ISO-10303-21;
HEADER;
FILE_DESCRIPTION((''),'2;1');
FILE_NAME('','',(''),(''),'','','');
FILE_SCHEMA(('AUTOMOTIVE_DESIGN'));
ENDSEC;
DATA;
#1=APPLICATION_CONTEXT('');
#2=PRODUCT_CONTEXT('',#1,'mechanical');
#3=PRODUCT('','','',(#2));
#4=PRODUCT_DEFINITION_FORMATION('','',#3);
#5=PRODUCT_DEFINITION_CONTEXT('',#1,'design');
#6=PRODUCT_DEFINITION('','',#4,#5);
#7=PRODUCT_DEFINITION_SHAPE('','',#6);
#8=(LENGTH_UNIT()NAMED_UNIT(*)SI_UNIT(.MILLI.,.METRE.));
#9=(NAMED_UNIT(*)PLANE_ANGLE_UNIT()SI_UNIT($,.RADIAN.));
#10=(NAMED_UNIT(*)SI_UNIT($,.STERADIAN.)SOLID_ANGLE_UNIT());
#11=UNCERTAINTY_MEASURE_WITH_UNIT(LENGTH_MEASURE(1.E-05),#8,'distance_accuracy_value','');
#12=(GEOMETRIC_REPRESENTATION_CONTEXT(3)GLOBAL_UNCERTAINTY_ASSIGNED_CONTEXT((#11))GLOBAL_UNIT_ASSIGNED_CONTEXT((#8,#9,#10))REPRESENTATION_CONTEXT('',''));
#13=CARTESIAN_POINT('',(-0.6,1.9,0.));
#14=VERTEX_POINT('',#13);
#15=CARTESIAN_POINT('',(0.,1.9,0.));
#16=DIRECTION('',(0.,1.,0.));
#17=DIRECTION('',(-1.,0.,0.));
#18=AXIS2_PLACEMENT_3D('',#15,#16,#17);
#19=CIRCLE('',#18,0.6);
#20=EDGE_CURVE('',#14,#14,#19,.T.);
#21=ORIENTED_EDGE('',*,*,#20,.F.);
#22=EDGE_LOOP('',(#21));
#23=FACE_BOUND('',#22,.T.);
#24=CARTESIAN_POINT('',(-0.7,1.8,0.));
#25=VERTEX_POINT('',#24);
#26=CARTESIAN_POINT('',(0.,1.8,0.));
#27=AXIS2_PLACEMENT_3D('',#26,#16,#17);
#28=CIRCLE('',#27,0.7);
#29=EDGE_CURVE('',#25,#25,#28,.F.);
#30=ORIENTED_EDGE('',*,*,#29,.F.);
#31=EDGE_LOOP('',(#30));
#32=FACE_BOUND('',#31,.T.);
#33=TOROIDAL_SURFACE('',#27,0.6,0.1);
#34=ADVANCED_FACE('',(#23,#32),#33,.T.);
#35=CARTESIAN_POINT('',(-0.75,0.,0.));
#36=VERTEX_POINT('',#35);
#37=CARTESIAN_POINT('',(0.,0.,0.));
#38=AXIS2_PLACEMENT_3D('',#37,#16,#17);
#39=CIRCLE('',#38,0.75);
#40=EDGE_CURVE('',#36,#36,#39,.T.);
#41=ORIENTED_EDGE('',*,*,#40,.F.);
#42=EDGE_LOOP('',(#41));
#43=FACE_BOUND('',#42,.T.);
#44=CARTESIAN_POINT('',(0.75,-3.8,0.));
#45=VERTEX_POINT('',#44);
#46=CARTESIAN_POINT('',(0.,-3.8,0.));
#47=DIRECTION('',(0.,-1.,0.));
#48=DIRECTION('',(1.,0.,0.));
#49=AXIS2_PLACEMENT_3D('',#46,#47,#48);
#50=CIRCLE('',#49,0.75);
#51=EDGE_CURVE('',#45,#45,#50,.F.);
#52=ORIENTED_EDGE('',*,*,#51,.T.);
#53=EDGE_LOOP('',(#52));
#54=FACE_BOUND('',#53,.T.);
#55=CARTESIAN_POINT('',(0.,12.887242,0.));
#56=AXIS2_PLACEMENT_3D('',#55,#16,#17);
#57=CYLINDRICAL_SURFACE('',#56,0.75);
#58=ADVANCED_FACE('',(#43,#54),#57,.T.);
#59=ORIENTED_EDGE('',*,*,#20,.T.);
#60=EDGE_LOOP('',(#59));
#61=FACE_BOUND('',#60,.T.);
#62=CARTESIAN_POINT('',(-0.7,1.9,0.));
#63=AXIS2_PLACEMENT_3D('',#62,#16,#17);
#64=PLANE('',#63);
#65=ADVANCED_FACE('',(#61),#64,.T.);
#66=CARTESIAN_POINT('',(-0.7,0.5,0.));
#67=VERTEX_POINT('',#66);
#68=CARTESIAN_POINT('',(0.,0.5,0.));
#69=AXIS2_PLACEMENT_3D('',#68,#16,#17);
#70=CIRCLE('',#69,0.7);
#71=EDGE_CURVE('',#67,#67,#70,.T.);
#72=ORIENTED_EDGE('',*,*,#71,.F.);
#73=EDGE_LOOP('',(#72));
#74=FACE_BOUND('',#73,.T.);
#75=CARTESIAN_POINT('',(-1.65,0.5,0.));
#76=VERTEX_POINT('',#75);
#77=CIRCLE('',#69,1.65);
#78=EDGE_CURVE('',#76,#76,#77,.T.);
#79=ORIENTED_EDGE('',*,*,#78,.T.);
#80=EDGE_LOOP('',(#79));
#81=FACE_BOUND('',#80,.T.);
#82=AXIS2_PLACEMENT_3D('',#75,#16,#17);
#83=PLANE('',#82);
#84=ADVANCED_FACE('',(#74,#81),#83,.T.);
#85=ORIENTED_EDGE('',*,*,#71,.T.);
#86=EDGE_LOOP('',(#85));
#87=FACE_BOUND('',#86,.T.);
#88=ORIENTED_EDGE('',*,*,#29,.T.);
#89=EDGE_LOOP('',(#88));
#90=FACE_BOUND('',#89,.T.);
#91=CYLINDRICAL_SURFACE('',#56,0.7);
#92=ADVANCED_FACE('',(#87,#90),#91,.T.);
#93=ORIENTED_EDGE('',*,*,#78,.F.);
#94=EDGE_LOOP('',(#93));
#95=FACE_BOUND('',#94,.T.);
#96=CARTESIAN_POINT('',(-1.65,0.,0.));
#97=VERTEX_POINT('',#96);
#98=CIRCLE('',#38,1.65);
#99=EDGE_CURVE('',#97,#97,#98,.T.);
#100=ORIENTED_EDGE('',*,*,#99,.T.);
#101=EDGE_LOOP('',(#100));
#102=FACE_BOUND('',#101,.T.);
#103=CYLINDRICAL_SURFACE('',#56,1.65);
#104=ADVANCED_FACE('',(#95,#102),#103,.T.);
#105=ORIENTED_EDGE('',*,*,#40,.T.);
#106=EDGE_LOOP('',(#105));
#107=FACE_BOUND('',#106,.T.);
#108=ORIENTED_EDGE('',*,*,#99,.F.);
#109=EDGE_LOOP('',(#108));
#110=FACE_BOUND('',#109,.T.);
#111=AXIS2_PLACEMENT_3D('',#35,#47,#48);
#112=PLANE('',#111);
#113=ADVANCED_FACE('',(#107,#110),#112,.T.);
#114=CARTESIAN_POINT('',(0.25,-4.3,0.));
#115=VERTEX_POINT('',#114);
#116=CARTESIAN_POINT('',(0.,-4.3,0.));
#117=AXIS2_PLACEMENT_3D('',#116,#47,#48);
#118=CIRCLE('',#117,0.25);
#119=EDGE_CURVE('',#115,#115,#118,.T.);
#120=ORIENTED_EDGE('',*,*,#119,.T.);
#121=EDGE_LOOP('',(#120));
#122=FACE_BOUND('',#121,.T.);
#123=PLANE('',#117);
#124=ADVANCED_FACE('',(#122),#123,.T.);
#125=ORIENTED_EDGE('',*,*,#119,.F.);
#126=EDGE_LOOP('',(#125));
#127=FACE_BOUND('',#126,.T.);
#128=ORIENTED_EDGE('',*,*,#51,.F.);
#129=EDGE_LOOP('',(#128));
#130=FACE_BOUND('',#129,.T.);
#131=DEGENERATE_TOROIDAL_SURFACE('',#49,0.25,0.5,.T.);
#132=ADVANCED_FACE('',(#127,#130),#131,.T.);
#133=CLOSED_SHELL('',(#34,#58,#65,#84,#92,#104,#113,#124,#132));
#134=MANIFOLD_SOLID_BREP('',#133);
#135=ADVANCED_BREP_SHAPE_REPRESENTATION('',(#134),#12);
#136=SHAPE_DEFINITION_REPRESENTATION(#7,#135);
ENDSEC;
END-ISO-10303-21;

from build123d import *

# Parameters (mm, degrees)
FILLET_1_R = 0.1
FILLET_2_R = 0.5


with BuildPart() as part:
    # 草图1 → 旋转1 (revolve)
    with BuildSketch(Plane.XY):
        Polygon((0, -4.3), (-0.75, -4.3), (-0.75, 0), (-1.65, 0), (-1.65, 0.5), (-0.7, 0.5), (-0.7, 1.9), (0, 1.9), align=None)
    revolve(axis=Axis((0, 12.887242456, 0), (0, -1, 0)))

    # 圆角1
    fillet_1_edges = [part.edges().sort_by_distance(p)[0] for p in [
        (0.7, 1.9, 0),
    ]]
    fillet(fillet_1_edges, radius=FILLET_1_R)

    # 圆角2
    fillet_2_edges = [part.edges().sort_by_distance(p)[0] for p in [
        (0.75, -4.3, 0),
    ]]
    fillet(fillet_2_edges, radius=FILLET_2_R)


solid = part.part
